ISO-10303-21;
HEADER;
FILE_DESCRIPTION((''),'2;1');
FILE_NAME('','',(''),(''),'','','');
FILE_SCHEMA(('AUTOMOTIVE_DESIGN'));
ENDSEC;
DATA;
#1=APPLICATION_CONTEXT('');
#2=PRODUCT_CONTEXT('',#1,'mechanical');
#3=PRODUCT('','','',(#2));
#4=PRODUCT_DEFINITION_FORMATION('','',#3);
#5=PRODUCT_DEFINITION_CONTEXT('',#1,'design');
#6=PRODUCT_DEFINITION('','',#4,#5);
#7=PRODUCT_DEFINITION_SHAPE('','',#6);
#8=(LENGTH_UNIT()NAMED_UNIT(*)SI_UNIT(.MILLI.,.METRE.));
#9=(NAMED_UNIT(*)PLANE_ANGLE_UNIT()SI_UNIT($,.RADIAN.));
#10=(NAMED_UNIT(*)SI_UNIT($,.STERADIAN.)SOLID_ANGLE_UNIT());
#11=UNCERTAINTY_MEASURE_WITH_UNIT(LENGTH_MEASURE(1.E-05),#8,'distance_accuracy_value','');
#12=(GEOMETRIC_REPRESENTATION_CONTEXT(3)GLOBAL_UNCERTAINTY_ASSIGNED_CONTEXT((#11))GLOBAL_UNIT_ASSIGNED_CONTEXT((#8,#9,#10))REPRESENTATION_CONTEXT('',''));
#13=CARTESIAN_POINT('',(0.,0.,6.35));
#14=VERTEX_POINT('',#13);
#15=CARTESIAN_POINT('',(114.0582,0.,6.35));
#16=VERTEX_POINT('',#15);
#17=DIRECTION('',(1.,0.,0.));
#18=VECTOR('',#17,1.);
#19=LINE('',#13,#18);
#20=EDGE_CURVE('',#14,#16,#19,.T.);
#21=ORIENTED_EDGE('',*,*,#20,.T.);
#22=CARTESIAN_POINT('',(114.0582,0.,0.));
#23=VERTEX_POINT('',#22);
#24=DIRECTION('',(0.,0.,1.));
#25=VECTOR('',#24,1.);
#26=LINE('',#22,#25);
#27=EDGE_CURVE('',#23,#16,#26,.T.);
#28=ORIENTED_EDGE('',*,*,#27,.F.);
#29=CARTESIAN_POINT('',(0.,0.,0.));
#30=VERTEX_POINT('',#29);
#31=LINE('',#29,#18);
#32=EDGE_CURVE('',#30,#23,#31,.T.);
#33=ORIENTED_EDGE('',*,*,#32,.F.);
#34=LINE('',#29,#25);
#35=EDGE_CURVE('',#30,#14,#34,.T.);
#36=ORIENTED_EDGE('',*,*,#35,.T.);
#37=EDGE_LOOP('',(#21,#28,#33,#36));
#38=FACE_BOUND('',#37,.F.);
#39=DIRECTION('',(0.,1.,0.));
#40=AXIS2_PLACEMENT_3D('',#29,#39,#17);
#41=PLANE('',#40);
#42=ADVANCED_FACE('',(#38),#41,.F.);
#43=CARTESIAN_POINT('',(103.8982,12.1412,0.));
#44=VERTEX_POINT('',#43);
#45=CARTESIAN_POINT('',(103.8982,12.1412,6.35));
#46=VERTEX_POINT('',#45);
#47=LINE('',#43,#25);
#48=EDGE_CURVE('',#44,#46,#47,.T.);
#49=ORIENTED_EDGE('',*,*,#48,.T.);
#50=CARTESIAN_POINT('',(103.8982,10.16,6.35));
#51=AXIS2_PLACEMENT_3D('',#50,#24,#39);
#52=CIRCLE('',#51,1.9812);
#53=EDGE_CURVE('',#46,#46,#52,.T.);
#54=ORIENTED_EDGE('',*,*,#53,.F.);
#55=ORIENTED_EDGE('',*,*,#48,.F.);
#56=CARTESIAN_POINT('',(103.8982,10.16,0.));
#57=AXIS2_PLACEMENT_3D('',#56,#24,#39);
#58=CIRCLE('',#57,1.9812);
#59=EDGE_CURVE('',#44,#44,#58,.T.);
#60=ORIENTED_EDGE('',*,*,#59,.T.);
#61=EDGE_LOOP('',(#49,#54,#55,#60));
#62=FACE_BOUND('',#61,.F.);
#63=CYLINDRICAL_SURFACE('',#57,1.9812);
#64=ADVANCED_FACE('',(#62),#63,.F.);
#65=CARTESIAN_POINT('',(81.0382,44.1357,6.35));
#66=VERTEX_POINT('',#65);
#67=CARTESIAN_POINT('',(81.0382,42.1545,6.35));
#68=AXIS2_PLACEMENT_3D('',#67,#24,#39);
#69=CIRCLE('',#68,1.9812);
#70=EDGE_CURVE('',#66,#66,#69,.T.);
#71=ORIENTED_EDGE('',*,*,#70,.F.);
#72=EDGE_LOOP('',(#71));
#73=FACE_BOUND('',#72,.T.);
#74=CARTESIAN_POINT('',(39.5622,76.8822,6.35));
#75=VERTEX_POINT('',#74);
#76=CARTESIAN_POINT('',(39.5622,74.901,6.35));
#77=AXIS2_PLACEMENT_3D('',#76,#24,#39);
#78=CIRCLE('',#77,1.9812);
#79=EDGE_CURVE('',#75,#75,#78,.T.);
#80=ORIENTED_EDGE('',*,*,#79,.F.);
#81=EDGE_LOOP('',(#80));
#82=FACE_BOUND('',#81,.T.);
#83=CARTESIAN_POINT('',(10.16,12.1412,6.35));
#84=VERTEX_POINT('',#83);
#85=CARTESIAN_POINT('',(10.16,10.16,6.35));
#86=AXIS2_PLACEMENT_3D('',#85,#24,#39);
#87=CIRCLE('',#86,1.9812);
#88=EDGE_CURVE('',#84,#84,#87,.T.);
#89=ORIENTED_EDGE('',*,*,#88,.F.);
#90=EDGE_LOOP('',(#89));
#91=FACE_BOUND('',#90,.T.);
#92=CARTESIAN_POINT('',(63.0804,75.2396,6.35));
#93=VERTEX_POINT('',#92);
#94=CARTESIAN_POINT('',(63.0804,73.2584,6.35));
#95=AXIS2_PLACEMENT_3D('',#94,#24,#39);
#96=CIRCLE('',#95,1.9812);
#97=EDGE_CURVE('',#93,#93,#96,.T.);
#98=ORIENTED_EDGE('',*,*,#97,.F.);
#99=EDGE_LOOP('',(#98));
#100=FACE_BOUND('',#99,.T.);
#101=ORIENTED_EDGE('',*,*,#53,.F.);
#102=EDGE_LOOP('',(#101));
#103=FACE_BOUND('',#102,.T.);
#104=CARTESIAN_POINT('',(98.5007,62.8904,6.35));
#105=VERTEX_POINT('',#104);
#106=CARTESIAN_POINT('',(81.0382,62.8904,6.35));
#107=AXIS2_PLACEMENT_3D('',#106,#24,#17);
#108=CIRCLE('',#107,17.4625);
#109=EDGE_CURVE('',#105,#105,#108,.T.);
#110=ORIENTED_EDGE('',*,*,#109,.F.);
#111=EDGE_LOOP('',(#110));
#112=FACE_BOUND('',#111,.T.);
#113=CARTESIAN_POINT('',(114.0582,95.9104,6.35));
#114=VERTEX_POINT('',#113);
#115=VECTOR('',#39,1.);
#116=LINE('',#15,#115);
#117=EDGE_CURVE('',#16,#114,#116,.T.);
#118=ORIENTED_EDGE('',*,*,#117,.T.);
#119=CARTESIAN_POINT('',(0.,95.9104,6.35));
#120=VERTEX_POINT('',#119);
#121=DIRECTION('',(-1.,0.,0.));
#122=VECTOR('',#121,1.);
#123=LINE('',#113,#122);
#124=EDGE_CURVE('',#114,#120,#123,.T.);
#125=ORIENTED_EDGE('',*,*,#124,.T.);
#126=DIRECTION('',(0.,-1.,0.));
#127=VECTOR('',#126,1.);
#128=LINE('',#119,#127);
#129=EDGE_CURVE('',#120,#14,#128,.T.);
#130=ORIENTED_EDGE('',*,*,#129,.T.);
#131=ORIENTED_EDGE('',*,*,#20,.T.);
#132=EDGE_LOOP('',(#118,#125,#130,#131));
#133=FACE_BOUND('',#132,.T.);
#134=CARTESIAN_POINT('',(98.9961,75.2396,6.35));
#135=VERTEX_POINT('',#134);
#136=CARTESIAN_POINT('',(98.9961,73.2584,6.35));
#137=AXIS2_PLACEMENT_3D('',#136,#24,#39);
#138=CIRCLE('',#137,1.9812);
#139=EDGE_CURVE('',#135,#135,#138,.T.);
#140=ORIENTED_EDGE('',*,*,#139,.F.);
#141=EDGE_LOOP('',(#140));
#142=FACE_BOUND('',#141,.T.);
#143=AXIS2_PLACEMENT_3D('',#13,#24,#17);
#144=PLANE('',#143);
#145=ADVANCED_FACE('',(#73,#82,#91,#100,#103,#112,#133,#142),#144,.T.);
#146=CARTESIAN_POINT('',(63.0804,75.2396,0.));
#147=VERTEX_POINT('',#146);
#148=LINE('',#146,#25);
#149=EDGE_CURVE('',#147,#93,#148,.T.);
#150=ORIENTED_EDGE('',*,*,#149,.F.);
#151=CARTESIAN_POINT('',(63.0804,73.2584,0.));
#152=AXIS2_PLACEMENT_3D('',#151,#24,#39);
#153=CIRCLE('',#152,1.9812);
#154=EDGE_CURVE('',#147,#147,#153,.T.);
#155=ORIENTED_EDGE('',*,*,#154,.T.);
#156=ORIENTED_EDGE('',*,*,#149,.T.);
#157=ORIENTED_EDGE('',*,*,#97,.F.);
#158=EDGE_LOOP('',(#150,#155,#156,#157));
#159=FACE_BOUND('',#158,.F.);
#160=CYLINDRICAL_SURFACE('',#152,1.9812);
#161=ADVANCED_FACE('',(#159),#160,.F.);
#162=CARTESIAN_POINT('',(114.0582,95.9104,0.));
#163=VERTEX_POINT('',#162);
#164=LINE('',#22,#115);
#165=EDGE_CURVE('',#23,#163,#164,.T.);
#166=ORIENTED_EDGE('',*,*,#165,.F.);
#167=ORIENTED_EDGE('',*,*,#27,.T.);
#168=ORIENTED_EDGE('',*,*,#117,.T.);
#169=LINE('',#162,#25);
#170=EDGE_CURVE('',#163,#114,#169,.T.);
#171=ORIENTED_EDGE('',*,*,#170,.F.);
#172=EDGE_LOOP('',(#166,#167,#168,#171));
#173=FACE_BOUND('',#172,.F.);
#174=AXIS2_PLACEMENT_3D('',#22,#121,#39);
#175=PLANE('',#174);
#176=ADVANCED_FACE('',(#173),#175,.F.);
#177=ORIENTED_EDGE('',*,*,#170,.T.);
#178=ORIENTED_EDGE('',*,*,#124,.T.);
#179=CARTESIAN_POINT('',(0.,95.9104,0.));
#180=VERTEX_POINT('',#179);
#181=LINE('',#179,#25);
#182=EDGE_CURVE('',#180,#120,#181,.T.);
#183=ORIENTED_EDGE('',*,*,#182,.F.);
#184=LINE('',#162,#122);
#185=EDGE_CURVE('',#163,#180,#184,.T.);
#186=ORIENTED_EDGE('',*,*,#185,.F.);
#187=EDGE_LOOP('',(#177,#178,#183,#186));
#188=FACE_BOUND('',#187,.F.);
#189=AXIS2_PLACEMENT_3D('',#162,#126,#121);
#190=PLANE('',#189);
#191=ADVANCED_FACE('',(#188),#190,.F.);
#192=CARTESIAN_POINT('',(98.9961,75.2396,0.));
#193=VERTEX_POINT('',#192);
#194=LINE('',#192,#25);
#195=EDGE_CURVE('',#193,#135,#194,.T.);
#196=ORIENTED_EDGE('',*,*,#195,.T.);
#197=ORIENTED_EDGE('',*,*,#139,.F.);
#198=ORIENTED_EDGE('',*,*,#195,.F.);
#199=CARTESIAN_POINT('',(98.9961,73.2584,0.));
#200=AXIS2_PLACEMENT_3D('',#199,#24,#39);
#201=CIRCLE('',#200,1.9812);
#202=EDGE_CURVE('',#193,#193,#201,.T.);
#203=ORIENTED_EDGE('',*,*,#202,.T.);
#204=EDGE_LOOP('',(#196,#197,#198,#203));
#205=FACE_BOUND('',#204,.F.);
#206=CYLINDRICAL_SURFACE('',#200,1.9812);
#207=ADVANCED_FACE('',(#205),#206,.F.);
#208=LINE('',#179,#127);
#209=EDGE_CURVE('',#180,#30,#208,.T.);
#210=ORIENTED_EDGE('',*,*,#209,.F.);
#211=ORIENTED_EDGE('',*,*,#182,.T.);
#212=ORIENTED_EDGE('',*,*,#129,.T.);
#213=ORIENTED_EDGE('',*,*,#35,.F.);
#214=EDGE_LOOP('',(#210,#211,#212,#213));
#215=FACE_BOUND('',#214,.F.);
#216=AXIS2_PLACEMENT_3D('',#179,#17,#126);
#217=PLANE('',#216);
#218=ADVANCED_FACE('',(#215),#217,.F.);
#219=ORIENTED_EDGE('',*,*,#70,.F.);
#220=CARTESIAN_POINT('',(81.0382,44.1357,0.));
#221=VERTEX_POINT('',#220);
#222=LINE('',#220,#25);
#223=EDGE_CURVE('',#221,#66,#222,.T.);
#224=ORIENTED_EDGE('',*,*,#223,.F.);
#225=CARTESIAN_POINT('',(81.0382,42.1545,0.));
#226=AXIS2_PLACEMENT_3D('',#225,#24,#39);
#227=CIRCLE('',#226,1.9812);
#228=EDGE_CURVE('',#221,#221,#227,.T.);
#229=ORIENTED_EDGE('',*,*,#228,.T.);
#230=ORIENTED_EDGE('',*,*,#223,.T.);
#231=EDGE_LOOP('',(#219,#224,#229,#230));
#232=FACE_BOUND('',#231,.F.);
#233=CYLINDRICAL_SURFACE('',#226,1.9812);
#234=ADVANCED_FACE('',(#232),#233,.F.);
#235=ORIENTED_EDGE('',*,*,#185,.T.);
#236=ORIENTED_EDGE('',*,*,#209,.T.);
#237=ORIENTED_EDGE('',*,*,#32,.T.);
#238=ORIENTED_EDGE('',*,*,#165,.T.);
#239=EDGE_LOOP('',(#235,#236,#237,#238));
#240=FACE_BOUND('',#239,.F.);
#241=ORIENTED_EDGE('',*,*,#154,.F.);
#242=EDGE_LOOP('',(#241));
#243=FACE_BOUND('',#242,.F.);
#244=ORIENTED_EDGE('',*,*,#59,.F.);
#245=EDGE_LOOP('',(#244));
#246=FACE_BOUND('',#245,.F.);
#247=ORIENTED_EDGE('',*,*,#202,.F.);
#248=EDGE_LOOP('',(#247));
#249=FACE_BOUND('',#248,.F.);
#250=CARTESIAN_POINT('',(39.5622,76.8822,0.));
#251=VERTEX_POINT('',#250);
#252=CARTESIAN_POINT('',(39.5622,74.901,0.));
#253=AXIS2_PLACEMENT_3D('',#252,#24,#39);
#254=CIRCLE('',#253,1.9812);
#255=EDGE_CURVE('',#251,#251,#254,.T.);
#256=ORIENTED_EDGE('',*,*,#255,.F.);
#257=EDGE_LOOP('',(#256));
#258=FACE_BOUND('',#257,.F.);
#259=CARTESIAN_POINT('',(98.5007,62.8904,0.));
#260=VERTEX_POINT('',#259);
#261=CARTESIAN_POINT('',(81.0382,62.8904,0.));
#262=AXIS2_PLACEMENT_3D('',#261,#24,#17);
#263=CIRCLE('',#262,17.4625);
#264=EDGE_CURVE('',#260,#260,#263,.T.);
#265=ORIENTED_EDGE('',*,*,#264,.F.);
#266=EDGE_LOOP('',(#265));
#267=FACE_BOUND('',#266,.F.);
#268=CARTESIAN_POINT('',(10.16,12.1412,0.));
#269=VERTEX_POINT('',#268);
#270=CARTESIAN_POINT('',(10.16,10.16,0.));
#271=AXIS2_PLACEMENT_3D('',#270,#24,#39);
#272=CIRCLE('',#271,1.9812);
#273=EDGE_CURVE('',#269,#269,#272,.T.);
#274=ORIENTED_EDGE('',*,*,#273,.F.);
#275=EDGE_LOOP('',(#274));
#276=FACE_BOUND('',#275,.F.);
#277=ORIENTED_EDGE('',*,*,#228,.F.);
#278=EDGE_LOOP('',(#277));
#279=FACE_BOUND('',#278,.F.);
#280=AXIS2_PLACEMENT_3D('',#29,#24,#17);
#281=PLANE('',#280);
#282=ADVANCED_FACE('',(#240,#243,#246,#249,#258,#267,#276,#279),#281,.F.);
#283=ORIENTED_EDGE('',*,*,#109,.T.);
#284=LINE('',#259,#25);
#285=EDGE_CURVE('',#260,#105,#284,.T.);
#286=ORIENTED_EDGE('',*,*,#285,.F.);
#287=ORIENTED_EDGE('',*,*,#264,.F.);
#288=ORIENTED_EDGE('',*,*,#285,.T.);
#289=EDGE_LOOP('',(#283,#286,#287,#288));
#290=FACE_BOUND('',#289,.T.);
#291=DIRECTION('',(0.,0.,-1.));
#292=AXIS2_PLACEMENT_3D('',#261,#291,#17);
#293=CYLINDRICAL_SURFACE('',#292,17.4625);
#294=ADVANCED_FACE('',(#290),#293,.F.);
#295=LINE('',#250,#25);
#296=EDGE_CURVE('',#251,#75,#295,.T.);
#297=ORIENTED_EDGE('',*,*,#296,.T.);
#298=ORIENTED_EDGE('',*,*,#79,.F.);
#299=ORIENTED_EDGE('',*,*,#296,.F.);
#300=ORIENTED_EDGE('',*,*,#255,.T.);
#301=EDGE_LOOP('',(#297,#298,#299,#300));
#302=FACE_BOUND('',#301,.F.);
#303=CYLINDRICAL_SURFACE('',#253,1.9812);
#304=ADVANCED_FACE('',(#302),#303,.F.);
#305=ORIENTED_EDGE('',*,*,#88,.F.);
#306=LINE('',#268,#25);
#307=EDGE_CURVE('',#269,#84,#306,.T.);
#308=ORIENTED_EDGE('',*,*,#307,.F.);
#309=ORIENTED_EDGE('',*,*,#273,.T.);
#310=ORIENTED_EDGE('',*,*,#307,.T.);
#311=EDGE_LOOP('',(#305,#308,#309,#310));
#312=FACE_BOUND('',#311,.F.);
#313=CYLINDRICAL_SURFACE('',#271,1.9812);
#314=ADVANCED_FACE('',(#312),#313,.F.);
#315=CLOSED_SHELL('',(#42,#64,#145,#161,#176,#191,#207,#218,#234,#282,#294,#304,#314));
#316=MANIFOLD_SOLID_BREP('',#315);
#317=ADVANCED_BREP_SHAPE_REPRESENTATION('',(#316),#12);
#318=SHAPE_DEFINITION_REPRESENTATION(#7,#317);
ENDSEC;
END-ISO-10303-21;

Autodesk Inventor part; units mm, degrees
sketch "Sketch1" plane through (0, 0, 0) normal (0, 0, 1) x (1, 0, 0)
  line L0 (0, 0) -> (114.0582, 0)
  line L1 (114.0582, 0) -> (114.0582, 95.9104)
  line L2 (114.0582, 95.9104) -> (0, 95.9104)
  line L3 (0, 95.9104) -> (0, 0)
  line L4 (59.1, 17.1) -> (59.1, 59.1) construction
  line L5 (59.1, 59.1) -> (17.1, 59.1) construction
  line L6 (17.1, 59.1) -> (17.1, 17.1) construction
  line L7 (17.1, 17.1) -> (59.1, 17.1) construction
  line L8 (59.1, 17.1) -> (17.1, 59.1) construction
  line L9 (59.1, 59.1) -> (17.1, 17.1) construction
  circle A0 centre (38.1, 38.1) radius 38.1 construction
  circle A1 centre (38.1, 38.1) radius 20.2 construction
  line L10 (45.4323, 38.1) -> (41.7662, 31.75) construction
  line L11 (41.7662, 31.75) -> (34.4338, 31.75) construction
  line L12 (34.4338, 31.75) -> (30.7677, 38.1) construction
  line L13 (30.7677, 38.1) -> (34.4338, 44.45) construction
  line L14 (34.4338, 44.45) -> (41.7662, 44.45) construction
  line L15 (41.7662, 44.45) -> (45.4323, 38.1) construction
  circle A2 centre (38.1, 38.1) radius 21.59 construction
  line L16 (38.1, 38.1) -> (81.0382, 62.8904) construction
  circle A3 centre (81.0382, 62.8904) radius 27.94 construction
  circle A4 centre (81.0382, 62.8904) radius 23.8125 construction
  circle A5 centre (81.0382, 62.8904) radius 17.4625
  circle A6 centre (38.1, 38.1) radius 14.2875 construction
  line L17 (85.0105, 18.6054) -> (38.1, 38.1) construction
  circle A7 centre (81.0382, 62.8904) radius 33.02 construction
  circle A8 centre (38.1, 38.1) radius 25.4 construction
  circle A9 centre (38.1, 38.1) radius 9.525 construction
  line L18 (81.0382, 62.8904) -> (81.0382, 42.1545) construction
  circle A10 centre (81.0382, 42.1545) radius 2.0828 construction
  circle A11 centre (39.5622, 74.901) radius 10.16 construction
  circle A12 centre (39.5622, 74.901) radius 6.35 construction
  circle A13 centre (81.0382, 42.1545) radius 6.35 construction
  circle A14 centre (38.1, 38.1) radius 26.67 construction
  line L19 (85.0105, 18.6054) -> (87.4474, 24.4692) construction
  line L20 (85.0105, 18.6054) -> (82.5737, 12.7416) construction
  line L21 (87.4474, 24.4692) -> (77.6267, 28.5504) construction
  line L22 (82.5737, 12.7416) -> (72.2567, 17.029) construction
  circle A15 centre (103.8982, 10.16) radius 10.16 construction
  circle A16 centre (103.8982, 10.16) radius 6.35 construction
  circle A17 centre (10.16, 10.16) radius 10.16 construction
  circle A18 centre (38.1, 38.1) radius 32.258 construction
  circle A19 centre (10.16, 10.16) radius 6.35 construction
  point P0 (20.1395, 56.0605)
  point P1 (56.0605, 20.1395)
  point P2 (81.0382, 44.2373)
  point P3 (81.0382, 45.4279)
  point P4 (98.9961, 73.2584)
  point P5 (63.0804, 73.2584)
  point P6 (81.0382, 48.5045)
  point P7 (79.1467, 21.0422)
  dimension "d10" = 34.925
  dimension "d17" = 4.1656
  dimension "d25" = 12.7
  dimension "d0" = 42
  dimension "d1" = 42
  dimension "d2" = 76.2
  dimension "d3" = 40.4
  dimension "d4" = 12.7
  dimension "d5" = 43.18
  dimension "d6" = 55.88
  dimension "d7" = 49.5808
  dimension "d8" = 47.625
  dimension "d11" = 28.575
  dimension "d13" = 30
  dimension "d14" = 5.08
  dimension "d15" = 50.8
  dimension "d16" = 19.05
  dimension "d18" = 1.1906
  dimension "d21" = 360
  dimension "d23" = 20.32
  dimension "d24" = 12.7
  dimension "d26" = 3.0766
  dimension "d30" = 5.08
  dimension "d33" = 50.8
  dimension "d34" = 6.35
  dimension "d35" = 6.35
  dimension "d36" = 20.32
  dimension "d37" = 64.516
  dimension "d38" = 12.7
ref_plane "Work Plane1" through (0, 0, -6.35) normal (0, 0, 1) x (1, 0, 0)
ref_plane "Work Plane2" through (0, 0, -41.875) normal (0, 0, 1) x (1, 0, 0)
ref_plane "Work Plane3" through (0, 0, -35.525) normal (0, 0, 1) x (1, 0, 0)
ref_plane "Work Plane4" through (0, 0, -92.675) normal (0, 0, 1) x (1, 0, 0)
ref_plane "Work Plane5" through (0, 0, -99.025) normal (0, 0, 1) x (1, 0, 0)
sketch "Sketch2" plane through (0, 0, -6.35) normal (0, 0, 1) x (1, 0, 0)
  line L0 (114.0582, 95.9104) -> (0, 95.9104) projected
  line L1 (0, 95.9104) -> (0, 0) projected
  line L2 (0, 0) -> (114.0582, 0) projected
  line L3 (114.0582, 0) -> (114.0582, 95.9104) projected
  circle A0 centre (81.0382, 62.8904) radius 17.4625 projected
  circle A1 centre (38.1, 38.1) radius 9.525 projected
sketch "Sketch3" plane through (0, 0, -41.875) normal (0, 0, 1) x (1, 0, 0)
  line L0 (114.0582, 95.9104) -> (0, 95.9104) projected
  line L1 (114.0582, 0) -> (114.0582, 95.9104) projected
  circle A0 centre (81.0382, 62.8904) radius 17.4625 projected
  line L2 (0, 0) -> (114.0582, 0) projected
  line L3 (0, 95.9104) -> (0, 0) projected
  circle A1 centre (38.1, 38.1) radius 14.2875 projected
sketch "Sketch4" plane through (0, 0, -35.525) normal (0, 0, 1) x (1, 0, 0)
  line L0 (114.0582, 95.9104) -> (0, 95.9104) projected
  line L1 (0, 95.9104) -> (0, 0) projected
  line L2 (0, 0) -> (114.0582, 0) projected
  line L3 (114.0582, 0) -> (114.0582, 95.9104) projected
  circle A0 centre (81.0382, 62.8904) radius 17.4625 projected
  circle A1 centre (38.1, 38.1) radius 14.2875 projected
sketch "Sketch5" plane through (0, 0, -92.675) normal (0, 0, 1) x (1, 0, 0)
  line L0 (0, 95.9104) -> (0, 0) projected
  line L1 (114.0582, 95.9104) -> (0, 95.9104) projected
  line L2 (0, 0) -> (114.0582, 0) projected
  line L3 (114.0582, 0) -> (114.0582, 95.9104) projected
  circle A0 centre (81.0382, 62.8904) radius 17.4625 projected
sketch "Sketch6" plane through (0, 0, -99.025) normal (0, 0, 1) x (1, 0, 0)
  line L0 (0, 95.9104) -> (0, 0) projected
  line L1 (0, 0) -> (114.0582, 0) projected
  line L2 (114.0582, 0) -> (114.0582, 95.9104) projected
  line L3 (114.0582, 95.9104) -> (0, 95.9104) projected
  circle A0 centre (81.0382, 62.8904) radius 17.4625 projected
extrude "Extrusion1" add sketch "Sketch1" along normal blind 6.35
hole "Hole1" at (81.0382, 42.1545, 0) at (98.9961, 73.2584, 0) at (63.0804, 73.2584, 0) direction (0, 0, 1) diameter 3.9624 end through all thread size "10-32 UNF" class "2B" standard "ANSI Unified Screw Threads"
hole "Hole2" at (39.5622, 74.901, 0) at (10.16, 10.16, 0) at (103.8982, 10.16, 0) direction (0, 0, 1) diameter 3.9624 end through all thread size "10-32 UNF" class "2B" standard "ANSI Unified Screw Threads"
equation "\"d30\" = d14"
properties part number "Main Outline"
